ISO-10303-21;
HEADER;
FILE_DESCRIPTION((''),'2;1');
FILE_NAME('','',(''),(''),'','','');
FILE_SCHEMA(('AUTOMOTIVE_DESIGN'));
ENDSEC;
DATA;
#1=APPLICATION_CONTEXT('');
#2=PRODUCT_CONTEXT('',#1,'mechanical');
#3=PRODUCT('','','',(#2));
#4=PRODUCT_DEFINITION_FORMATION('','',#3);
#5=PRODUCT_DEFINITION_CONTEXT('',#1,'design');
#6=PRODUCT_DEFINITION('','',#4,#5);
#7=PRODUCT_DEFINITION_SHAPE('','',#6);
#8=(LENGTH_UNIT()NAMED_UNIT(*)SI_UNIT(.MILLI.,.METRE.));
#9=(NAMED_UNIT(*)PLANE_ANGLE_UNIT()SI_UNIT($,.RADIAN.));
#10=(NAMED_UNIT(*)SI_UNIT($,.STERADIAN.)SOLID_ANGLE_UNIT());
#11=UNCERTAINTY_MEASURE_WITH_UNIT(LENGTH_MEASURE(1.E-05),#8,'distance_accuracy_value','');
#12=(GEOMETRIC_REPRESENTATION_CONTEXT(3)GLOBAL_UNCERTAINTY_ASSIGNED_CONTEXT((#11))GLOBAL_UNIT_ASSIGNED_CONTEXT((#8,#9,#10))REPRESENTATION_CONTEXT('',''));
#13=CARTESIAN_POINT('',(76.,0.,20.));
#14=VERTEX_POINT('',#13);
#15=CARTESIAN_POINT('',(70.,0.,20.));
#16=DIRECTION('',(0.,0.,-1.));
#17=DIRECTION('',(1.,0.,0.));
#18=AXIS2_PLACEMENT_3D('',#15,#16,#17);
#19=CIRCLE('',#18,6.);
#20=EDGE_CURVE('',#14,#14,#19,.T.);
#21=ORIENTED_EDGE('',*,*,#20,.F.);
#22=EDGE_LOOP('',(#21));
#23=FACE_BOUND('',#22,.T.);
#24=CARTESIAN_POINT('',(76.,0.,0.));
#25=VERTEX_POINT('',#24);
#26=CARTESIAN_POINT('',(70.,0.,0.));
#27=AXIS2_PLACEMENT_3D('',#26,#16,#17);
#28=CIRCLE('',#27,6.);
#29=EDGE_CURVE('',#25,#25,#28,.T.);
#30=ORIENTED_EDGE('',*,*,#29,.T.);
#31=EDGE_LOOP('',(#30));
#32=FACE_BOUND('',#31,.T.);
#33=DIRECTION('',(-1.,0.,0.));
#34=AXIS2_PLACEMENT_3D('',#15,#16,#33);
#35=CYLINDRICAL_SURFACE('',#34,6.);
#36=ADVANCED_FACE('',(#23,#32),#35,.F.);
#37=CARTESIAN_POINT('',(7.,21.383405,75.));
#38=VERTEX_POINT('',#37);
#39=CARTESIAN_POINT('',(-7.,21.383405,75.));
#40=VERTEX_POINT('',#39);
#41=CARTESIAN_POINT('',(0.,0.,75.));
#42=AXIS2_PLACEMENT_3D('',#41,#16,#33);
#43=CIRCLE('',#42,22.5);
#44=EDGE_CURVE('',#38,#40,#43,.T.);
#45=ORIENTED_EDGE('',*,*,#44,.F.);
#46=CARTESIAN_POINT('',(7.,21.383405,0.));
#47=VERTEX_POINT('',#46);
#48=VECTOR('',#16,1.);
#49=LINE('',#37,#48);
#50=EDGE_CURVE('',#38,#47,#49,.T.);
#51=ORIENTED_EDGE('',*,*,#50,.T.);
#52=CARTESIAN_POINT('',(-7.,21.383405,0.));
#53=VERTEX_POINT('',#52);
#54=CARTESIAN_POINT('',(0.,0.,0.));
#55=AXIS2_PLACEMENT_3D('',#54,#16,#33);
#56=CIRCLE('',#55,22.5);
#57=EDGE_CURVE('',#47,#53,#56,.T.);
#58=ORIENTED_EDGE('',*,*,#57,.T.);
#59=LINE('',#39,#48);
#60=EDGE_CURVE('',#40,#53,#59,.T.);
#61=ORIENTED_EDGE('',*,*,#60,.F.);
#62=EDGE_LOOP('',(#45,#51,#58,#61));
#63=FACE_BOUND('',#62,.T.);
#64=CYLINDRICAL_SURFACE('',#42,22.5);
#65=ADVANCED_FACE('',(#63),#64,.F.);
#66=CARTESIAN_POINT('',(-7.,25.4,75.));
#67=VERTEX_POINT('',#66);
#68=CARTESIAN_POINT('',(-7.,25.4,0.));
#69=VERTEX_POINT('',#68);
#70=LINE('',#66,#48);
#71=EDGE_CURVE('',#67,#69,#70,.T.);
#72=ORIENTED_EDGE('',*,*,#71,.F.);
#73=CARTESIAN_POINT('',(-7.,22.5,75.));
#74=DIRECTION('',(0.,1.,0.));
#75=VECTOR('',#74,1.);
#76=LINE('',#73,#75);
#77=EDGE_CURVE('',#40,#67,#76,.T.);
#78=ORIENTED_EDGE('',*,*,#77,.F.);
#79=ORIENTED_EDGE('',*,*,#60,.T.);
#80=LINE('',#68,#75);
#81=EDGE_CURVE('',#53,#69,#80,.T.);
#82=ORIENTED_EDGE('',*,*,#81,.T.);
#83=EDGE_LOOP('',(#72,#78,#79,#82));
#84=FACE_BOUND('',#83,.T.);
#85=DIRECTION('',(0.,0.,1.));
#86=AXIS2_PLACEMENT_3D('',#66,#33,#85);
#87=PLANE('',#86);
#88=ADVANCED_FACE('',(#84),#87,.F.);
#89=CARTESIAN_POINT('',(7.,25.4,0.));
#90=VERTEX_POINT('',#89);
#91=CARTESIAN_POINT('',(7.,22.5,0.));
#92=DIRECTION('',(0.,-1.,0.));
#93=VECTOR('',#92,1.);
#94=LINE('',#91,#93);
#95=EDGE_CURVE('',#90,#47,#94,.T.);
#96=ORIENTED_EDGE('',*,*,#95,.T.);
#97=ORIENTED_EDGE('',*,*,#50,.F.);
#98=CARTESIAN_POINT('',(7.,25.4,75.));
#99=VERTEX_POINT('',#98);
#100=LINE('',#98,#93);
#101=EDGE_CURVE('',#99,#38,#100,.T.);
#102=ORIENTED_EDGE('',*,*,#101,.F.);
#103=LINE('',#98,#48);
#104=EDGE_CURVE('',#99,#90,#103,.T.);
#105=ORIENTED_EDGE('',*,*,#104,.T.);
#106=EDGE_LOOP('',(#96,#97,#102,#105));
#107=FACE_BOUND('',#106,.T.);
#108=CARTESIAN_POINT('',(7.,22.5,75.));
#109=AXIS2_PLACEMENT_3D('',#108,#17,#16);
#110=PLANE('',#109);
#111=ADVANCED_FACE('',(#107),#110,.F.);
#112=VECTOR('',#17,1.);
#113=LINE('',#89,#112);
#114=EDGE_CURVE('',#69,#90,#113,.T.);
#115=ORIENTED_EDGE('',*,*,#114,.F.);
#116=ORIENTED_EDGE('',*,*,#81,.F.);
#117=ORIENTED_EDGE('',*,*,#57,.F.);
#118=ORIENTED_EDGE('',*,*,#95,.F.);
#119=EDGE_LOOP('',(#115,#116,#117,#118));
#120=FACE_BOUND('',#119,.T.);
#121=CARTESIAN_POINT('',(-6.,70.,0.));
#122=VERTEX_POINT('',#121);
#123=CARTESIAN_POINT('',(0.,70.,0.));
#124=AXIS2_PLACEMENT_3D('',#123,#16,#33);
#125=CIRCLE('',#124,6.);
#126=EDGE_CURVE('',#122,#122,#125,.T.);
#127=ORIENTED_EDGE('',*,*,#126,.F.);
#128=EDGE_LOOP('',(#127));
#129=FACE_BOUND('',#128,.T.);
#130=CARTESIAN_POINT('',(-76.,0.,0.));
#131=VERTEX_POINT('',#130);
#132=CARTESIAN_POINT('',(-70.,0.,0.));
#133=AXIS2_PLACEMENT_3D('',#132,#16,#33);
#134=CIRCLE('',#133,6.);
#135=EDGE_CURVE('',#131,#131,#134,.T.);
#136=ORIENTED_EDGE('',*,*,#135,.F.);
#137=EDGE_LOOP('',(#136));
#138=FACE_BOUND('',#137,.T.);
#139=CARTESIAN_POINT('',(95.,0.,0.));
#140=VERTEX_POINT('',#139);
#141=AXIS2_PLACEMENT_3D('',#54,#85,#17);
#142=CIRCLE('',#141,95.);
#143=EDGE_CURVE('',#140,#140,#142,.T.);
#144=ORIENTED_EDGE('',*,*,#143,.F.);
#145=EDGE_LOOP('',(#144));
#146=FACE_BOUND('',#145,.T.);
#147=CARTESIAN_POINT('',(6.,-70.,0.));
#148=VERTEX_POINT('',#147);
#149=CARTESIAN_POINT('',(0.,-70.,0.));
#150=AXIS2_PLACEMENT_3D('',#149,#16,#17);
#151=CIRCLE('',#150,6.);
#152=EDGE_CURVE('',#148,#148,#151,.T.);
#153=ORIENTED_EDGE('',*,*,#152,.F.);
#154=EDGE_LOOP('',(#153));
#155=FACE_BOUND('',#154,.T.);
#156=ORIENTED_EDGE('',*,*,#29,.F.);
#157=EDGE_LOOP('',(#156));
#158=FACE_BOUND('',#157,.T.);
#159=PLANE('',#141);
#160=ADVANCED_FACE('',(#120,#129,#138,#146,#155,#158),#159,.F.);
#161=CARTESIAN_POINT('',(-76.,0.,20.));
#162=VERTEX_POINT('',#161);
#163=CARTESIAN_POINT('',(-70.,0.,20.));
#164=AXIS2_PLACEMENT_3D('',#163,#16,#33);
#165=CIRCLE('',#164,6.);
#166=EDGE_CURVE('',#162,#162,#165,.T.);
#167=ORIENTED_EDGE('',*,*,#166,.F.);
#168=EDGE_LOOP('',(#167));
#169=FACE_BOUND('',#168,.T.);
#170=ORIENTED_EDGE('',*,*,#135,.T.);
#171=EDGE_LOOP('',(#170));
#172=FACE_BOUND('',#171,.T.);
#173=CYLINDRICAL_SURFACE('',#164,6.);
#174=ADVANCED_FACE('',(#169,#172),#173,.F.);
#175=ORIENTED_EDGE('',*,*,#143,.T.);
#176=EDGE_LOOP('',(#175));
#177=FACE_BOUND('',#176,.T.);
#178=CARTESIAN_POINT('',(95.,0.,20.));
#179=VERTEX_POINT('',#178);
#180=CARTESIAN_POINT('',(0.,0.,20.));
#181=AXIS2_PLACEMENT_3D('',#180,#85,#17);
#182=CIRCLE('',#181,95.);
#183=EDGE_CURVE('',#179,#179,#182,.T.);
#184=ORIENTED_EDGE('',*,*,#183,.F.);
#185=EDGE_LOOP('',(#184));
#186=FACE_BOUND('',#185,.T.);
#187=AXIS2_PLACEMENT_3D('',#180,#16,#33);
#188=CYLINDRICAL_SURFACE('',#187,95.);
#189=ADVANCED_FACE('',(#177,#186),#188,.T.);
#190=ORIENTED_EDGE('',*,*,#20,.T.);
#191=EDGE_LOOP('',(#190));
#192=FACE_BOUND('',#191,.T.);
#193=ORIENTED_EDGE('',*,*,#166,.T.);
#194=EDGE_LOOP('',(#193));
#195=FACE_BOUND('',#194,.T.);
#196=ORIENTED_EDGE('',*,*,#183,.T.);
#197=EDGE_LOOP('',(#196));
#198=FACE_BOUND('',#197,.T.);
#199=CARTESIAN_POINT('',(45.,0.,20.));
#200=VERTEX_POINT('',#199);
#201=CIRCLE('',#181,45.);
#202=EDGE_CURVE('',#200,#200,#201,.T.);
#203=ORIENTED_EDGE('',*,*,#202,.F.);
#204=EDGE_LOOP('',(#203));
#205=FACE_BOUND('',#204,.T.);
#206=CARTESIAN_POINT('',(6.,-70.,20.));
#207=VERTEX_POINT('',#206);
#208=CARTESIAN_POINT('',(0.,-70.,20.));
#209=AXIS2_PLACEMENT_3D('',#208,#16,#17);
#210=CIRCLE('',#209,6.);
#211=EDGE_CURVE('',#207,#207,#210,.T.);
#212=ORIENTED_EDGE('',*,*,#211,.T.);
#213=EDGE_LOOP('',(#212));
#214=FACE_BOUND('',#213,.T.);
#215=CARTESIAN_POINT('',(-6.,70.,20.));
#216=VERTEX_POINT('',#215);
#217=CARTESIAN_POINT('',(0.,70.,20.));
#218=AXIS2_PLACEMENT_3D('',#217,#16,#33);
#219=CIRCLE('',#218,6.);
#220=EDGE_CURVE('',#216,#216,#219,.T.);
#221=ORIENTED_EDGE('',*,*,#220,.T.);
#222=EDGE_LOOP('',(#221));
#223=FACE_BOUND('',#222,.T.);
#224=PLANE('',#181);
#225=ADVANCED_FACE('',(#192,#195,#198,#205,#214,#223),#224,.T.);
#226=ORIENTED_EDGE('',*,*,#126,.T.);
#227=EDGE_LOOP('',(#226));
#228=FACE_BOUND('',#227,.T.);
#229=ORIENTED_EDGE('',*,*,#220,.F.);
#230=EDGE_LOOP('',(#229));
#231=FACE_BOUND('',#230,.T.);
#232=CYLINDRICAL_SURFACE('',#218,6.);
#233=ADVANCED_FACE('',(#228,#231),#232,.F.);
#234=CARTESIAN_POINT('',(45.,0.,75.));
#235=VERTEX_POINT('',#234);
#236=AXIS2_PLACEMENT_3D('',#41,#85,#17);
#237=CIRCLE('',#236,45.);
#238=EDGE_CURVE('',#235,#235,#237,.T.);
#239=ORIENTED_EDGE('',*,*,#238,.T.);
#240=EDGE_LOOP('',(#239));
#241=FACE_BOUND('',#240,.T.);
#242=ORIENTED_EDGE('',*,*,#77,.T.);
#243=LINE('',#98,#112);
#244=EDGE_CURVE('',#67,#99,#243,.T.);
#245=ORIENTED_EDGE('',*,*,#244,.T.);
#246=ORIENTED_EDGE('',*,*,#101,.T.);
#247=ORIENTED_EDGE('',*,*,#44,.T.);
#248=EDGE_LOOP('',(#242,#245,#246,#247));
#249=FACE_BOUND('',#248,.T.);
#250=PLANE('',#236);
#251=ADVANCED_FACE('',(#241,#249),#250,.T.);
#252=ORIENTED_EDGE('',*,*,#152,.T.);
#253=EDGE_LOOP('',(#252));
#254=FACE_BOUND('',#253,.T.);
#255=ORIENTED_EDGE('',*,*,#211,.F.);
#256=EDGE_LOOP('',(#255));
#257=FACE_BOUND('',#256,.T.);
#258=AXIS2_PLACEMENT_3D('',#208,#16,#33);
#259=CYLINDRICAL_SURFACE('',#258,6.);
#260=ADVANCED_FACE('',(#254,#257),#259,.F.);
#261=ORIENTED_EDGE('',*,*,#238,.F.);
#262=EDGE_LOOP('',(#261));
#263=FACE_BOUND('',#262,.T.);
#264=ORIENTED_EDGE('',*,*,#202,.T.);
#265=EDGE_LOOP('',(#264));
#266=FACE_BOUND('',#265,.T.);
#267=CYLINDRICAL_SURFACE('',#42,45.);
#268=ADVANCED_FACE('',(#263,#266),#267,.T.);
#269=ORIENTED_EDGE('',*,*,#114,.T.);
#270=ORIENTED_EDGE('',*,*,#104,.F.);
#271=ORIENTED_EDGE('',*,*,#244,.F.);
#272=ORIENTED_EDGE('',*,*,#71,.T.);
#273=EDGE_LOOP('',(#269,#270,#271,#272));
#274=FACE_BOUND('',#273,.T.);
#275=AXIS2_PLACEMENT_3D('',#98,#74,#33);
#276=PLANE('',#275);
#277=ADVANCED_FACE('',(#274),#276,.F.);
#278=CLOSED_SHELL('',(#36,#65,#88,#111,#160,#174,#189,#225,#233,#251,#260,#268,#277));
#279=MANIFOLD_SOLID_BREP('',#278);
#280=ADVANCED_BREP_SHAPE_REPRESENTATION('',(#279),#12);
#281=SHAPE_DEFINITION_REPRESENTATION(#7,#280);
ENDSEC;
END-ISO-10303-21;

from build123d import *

# Parameters (mm, degrees)
SKETCH1_R           = 95
BOSS_EXTRUDE1_DEPTH = 20
SKETCH2_R           = 6
CUT_EXTRUDE1_DEPTH  = 20
SKETCH5_R           = 45
BOSS_EXTRUDE3_DEPTH = 55
CUT_EXTRUDE4_DEPTH  = 75


with BuildPart() as part:
    # Sketch1 → Boss-Extrude1 (new body)
    with BuildSketch(Plane.XY):
        Circle(SKETCH1_R)
    extrude(amount=BOSS_EXTRUDE1_DEPTH)

    # Sketch2 → Cut-Extrude1 (cut)
    with BuildSketch(Plane(origin=(0, 0, 0), x_dir=(-1, 0, 0), z_dir=(0, 0, -1))):
        with Locations((0, 70)):
            Circle(SKETCH2_R)
        with Locations((70, 0)):
            Circle(SKETCH2_R)
        with Locations(Location((0, -70, 0), (0, 0, 180))):
            Circle(SKETCH2_R)
        with Locations(Location((-70, 0, 0), (0, 0, 180))):
            Circle(SKETCH2_R)
    extrude(amount=-CUT_EXTRUDE1_DEPTH, mode=Mode.SUBTRACT)

    # Sketch5 → Boss-Extrude3 (add)
    with BuildSketch(Plane.XY.offset(20)):
        Circle(SKETCH5_R)
    extrude(amount=BOSS_EXTRUDE3_DEPTH)

    # Sketch3 → Cut-Extrude4 (cut)
    with BuildSketch(Plane(origin=(0, 0, 0), x_dir=(-1, 0, 0), z_dir=(0, 0, -1))):
        with BuildLine():
            Line((-7, 22.5), (-7, 21.38340478))
            ThreePointArc((-7, 21.38340478), (0, -22.5), (7, 21.38340478))
            Line((7, 21.38340478), (7, 22.5))
            Line((7, 22.5), (7, 25.4))
            Line((7, 25.4), (-7, 25.4))
            Line((-7, 25.4), (-7, 22.5))
        make_face()
    extrude(amount=-CUT_EXTRUDE4_DEPTH, mode=Mode.SUBTRACT)


solid = part.part
